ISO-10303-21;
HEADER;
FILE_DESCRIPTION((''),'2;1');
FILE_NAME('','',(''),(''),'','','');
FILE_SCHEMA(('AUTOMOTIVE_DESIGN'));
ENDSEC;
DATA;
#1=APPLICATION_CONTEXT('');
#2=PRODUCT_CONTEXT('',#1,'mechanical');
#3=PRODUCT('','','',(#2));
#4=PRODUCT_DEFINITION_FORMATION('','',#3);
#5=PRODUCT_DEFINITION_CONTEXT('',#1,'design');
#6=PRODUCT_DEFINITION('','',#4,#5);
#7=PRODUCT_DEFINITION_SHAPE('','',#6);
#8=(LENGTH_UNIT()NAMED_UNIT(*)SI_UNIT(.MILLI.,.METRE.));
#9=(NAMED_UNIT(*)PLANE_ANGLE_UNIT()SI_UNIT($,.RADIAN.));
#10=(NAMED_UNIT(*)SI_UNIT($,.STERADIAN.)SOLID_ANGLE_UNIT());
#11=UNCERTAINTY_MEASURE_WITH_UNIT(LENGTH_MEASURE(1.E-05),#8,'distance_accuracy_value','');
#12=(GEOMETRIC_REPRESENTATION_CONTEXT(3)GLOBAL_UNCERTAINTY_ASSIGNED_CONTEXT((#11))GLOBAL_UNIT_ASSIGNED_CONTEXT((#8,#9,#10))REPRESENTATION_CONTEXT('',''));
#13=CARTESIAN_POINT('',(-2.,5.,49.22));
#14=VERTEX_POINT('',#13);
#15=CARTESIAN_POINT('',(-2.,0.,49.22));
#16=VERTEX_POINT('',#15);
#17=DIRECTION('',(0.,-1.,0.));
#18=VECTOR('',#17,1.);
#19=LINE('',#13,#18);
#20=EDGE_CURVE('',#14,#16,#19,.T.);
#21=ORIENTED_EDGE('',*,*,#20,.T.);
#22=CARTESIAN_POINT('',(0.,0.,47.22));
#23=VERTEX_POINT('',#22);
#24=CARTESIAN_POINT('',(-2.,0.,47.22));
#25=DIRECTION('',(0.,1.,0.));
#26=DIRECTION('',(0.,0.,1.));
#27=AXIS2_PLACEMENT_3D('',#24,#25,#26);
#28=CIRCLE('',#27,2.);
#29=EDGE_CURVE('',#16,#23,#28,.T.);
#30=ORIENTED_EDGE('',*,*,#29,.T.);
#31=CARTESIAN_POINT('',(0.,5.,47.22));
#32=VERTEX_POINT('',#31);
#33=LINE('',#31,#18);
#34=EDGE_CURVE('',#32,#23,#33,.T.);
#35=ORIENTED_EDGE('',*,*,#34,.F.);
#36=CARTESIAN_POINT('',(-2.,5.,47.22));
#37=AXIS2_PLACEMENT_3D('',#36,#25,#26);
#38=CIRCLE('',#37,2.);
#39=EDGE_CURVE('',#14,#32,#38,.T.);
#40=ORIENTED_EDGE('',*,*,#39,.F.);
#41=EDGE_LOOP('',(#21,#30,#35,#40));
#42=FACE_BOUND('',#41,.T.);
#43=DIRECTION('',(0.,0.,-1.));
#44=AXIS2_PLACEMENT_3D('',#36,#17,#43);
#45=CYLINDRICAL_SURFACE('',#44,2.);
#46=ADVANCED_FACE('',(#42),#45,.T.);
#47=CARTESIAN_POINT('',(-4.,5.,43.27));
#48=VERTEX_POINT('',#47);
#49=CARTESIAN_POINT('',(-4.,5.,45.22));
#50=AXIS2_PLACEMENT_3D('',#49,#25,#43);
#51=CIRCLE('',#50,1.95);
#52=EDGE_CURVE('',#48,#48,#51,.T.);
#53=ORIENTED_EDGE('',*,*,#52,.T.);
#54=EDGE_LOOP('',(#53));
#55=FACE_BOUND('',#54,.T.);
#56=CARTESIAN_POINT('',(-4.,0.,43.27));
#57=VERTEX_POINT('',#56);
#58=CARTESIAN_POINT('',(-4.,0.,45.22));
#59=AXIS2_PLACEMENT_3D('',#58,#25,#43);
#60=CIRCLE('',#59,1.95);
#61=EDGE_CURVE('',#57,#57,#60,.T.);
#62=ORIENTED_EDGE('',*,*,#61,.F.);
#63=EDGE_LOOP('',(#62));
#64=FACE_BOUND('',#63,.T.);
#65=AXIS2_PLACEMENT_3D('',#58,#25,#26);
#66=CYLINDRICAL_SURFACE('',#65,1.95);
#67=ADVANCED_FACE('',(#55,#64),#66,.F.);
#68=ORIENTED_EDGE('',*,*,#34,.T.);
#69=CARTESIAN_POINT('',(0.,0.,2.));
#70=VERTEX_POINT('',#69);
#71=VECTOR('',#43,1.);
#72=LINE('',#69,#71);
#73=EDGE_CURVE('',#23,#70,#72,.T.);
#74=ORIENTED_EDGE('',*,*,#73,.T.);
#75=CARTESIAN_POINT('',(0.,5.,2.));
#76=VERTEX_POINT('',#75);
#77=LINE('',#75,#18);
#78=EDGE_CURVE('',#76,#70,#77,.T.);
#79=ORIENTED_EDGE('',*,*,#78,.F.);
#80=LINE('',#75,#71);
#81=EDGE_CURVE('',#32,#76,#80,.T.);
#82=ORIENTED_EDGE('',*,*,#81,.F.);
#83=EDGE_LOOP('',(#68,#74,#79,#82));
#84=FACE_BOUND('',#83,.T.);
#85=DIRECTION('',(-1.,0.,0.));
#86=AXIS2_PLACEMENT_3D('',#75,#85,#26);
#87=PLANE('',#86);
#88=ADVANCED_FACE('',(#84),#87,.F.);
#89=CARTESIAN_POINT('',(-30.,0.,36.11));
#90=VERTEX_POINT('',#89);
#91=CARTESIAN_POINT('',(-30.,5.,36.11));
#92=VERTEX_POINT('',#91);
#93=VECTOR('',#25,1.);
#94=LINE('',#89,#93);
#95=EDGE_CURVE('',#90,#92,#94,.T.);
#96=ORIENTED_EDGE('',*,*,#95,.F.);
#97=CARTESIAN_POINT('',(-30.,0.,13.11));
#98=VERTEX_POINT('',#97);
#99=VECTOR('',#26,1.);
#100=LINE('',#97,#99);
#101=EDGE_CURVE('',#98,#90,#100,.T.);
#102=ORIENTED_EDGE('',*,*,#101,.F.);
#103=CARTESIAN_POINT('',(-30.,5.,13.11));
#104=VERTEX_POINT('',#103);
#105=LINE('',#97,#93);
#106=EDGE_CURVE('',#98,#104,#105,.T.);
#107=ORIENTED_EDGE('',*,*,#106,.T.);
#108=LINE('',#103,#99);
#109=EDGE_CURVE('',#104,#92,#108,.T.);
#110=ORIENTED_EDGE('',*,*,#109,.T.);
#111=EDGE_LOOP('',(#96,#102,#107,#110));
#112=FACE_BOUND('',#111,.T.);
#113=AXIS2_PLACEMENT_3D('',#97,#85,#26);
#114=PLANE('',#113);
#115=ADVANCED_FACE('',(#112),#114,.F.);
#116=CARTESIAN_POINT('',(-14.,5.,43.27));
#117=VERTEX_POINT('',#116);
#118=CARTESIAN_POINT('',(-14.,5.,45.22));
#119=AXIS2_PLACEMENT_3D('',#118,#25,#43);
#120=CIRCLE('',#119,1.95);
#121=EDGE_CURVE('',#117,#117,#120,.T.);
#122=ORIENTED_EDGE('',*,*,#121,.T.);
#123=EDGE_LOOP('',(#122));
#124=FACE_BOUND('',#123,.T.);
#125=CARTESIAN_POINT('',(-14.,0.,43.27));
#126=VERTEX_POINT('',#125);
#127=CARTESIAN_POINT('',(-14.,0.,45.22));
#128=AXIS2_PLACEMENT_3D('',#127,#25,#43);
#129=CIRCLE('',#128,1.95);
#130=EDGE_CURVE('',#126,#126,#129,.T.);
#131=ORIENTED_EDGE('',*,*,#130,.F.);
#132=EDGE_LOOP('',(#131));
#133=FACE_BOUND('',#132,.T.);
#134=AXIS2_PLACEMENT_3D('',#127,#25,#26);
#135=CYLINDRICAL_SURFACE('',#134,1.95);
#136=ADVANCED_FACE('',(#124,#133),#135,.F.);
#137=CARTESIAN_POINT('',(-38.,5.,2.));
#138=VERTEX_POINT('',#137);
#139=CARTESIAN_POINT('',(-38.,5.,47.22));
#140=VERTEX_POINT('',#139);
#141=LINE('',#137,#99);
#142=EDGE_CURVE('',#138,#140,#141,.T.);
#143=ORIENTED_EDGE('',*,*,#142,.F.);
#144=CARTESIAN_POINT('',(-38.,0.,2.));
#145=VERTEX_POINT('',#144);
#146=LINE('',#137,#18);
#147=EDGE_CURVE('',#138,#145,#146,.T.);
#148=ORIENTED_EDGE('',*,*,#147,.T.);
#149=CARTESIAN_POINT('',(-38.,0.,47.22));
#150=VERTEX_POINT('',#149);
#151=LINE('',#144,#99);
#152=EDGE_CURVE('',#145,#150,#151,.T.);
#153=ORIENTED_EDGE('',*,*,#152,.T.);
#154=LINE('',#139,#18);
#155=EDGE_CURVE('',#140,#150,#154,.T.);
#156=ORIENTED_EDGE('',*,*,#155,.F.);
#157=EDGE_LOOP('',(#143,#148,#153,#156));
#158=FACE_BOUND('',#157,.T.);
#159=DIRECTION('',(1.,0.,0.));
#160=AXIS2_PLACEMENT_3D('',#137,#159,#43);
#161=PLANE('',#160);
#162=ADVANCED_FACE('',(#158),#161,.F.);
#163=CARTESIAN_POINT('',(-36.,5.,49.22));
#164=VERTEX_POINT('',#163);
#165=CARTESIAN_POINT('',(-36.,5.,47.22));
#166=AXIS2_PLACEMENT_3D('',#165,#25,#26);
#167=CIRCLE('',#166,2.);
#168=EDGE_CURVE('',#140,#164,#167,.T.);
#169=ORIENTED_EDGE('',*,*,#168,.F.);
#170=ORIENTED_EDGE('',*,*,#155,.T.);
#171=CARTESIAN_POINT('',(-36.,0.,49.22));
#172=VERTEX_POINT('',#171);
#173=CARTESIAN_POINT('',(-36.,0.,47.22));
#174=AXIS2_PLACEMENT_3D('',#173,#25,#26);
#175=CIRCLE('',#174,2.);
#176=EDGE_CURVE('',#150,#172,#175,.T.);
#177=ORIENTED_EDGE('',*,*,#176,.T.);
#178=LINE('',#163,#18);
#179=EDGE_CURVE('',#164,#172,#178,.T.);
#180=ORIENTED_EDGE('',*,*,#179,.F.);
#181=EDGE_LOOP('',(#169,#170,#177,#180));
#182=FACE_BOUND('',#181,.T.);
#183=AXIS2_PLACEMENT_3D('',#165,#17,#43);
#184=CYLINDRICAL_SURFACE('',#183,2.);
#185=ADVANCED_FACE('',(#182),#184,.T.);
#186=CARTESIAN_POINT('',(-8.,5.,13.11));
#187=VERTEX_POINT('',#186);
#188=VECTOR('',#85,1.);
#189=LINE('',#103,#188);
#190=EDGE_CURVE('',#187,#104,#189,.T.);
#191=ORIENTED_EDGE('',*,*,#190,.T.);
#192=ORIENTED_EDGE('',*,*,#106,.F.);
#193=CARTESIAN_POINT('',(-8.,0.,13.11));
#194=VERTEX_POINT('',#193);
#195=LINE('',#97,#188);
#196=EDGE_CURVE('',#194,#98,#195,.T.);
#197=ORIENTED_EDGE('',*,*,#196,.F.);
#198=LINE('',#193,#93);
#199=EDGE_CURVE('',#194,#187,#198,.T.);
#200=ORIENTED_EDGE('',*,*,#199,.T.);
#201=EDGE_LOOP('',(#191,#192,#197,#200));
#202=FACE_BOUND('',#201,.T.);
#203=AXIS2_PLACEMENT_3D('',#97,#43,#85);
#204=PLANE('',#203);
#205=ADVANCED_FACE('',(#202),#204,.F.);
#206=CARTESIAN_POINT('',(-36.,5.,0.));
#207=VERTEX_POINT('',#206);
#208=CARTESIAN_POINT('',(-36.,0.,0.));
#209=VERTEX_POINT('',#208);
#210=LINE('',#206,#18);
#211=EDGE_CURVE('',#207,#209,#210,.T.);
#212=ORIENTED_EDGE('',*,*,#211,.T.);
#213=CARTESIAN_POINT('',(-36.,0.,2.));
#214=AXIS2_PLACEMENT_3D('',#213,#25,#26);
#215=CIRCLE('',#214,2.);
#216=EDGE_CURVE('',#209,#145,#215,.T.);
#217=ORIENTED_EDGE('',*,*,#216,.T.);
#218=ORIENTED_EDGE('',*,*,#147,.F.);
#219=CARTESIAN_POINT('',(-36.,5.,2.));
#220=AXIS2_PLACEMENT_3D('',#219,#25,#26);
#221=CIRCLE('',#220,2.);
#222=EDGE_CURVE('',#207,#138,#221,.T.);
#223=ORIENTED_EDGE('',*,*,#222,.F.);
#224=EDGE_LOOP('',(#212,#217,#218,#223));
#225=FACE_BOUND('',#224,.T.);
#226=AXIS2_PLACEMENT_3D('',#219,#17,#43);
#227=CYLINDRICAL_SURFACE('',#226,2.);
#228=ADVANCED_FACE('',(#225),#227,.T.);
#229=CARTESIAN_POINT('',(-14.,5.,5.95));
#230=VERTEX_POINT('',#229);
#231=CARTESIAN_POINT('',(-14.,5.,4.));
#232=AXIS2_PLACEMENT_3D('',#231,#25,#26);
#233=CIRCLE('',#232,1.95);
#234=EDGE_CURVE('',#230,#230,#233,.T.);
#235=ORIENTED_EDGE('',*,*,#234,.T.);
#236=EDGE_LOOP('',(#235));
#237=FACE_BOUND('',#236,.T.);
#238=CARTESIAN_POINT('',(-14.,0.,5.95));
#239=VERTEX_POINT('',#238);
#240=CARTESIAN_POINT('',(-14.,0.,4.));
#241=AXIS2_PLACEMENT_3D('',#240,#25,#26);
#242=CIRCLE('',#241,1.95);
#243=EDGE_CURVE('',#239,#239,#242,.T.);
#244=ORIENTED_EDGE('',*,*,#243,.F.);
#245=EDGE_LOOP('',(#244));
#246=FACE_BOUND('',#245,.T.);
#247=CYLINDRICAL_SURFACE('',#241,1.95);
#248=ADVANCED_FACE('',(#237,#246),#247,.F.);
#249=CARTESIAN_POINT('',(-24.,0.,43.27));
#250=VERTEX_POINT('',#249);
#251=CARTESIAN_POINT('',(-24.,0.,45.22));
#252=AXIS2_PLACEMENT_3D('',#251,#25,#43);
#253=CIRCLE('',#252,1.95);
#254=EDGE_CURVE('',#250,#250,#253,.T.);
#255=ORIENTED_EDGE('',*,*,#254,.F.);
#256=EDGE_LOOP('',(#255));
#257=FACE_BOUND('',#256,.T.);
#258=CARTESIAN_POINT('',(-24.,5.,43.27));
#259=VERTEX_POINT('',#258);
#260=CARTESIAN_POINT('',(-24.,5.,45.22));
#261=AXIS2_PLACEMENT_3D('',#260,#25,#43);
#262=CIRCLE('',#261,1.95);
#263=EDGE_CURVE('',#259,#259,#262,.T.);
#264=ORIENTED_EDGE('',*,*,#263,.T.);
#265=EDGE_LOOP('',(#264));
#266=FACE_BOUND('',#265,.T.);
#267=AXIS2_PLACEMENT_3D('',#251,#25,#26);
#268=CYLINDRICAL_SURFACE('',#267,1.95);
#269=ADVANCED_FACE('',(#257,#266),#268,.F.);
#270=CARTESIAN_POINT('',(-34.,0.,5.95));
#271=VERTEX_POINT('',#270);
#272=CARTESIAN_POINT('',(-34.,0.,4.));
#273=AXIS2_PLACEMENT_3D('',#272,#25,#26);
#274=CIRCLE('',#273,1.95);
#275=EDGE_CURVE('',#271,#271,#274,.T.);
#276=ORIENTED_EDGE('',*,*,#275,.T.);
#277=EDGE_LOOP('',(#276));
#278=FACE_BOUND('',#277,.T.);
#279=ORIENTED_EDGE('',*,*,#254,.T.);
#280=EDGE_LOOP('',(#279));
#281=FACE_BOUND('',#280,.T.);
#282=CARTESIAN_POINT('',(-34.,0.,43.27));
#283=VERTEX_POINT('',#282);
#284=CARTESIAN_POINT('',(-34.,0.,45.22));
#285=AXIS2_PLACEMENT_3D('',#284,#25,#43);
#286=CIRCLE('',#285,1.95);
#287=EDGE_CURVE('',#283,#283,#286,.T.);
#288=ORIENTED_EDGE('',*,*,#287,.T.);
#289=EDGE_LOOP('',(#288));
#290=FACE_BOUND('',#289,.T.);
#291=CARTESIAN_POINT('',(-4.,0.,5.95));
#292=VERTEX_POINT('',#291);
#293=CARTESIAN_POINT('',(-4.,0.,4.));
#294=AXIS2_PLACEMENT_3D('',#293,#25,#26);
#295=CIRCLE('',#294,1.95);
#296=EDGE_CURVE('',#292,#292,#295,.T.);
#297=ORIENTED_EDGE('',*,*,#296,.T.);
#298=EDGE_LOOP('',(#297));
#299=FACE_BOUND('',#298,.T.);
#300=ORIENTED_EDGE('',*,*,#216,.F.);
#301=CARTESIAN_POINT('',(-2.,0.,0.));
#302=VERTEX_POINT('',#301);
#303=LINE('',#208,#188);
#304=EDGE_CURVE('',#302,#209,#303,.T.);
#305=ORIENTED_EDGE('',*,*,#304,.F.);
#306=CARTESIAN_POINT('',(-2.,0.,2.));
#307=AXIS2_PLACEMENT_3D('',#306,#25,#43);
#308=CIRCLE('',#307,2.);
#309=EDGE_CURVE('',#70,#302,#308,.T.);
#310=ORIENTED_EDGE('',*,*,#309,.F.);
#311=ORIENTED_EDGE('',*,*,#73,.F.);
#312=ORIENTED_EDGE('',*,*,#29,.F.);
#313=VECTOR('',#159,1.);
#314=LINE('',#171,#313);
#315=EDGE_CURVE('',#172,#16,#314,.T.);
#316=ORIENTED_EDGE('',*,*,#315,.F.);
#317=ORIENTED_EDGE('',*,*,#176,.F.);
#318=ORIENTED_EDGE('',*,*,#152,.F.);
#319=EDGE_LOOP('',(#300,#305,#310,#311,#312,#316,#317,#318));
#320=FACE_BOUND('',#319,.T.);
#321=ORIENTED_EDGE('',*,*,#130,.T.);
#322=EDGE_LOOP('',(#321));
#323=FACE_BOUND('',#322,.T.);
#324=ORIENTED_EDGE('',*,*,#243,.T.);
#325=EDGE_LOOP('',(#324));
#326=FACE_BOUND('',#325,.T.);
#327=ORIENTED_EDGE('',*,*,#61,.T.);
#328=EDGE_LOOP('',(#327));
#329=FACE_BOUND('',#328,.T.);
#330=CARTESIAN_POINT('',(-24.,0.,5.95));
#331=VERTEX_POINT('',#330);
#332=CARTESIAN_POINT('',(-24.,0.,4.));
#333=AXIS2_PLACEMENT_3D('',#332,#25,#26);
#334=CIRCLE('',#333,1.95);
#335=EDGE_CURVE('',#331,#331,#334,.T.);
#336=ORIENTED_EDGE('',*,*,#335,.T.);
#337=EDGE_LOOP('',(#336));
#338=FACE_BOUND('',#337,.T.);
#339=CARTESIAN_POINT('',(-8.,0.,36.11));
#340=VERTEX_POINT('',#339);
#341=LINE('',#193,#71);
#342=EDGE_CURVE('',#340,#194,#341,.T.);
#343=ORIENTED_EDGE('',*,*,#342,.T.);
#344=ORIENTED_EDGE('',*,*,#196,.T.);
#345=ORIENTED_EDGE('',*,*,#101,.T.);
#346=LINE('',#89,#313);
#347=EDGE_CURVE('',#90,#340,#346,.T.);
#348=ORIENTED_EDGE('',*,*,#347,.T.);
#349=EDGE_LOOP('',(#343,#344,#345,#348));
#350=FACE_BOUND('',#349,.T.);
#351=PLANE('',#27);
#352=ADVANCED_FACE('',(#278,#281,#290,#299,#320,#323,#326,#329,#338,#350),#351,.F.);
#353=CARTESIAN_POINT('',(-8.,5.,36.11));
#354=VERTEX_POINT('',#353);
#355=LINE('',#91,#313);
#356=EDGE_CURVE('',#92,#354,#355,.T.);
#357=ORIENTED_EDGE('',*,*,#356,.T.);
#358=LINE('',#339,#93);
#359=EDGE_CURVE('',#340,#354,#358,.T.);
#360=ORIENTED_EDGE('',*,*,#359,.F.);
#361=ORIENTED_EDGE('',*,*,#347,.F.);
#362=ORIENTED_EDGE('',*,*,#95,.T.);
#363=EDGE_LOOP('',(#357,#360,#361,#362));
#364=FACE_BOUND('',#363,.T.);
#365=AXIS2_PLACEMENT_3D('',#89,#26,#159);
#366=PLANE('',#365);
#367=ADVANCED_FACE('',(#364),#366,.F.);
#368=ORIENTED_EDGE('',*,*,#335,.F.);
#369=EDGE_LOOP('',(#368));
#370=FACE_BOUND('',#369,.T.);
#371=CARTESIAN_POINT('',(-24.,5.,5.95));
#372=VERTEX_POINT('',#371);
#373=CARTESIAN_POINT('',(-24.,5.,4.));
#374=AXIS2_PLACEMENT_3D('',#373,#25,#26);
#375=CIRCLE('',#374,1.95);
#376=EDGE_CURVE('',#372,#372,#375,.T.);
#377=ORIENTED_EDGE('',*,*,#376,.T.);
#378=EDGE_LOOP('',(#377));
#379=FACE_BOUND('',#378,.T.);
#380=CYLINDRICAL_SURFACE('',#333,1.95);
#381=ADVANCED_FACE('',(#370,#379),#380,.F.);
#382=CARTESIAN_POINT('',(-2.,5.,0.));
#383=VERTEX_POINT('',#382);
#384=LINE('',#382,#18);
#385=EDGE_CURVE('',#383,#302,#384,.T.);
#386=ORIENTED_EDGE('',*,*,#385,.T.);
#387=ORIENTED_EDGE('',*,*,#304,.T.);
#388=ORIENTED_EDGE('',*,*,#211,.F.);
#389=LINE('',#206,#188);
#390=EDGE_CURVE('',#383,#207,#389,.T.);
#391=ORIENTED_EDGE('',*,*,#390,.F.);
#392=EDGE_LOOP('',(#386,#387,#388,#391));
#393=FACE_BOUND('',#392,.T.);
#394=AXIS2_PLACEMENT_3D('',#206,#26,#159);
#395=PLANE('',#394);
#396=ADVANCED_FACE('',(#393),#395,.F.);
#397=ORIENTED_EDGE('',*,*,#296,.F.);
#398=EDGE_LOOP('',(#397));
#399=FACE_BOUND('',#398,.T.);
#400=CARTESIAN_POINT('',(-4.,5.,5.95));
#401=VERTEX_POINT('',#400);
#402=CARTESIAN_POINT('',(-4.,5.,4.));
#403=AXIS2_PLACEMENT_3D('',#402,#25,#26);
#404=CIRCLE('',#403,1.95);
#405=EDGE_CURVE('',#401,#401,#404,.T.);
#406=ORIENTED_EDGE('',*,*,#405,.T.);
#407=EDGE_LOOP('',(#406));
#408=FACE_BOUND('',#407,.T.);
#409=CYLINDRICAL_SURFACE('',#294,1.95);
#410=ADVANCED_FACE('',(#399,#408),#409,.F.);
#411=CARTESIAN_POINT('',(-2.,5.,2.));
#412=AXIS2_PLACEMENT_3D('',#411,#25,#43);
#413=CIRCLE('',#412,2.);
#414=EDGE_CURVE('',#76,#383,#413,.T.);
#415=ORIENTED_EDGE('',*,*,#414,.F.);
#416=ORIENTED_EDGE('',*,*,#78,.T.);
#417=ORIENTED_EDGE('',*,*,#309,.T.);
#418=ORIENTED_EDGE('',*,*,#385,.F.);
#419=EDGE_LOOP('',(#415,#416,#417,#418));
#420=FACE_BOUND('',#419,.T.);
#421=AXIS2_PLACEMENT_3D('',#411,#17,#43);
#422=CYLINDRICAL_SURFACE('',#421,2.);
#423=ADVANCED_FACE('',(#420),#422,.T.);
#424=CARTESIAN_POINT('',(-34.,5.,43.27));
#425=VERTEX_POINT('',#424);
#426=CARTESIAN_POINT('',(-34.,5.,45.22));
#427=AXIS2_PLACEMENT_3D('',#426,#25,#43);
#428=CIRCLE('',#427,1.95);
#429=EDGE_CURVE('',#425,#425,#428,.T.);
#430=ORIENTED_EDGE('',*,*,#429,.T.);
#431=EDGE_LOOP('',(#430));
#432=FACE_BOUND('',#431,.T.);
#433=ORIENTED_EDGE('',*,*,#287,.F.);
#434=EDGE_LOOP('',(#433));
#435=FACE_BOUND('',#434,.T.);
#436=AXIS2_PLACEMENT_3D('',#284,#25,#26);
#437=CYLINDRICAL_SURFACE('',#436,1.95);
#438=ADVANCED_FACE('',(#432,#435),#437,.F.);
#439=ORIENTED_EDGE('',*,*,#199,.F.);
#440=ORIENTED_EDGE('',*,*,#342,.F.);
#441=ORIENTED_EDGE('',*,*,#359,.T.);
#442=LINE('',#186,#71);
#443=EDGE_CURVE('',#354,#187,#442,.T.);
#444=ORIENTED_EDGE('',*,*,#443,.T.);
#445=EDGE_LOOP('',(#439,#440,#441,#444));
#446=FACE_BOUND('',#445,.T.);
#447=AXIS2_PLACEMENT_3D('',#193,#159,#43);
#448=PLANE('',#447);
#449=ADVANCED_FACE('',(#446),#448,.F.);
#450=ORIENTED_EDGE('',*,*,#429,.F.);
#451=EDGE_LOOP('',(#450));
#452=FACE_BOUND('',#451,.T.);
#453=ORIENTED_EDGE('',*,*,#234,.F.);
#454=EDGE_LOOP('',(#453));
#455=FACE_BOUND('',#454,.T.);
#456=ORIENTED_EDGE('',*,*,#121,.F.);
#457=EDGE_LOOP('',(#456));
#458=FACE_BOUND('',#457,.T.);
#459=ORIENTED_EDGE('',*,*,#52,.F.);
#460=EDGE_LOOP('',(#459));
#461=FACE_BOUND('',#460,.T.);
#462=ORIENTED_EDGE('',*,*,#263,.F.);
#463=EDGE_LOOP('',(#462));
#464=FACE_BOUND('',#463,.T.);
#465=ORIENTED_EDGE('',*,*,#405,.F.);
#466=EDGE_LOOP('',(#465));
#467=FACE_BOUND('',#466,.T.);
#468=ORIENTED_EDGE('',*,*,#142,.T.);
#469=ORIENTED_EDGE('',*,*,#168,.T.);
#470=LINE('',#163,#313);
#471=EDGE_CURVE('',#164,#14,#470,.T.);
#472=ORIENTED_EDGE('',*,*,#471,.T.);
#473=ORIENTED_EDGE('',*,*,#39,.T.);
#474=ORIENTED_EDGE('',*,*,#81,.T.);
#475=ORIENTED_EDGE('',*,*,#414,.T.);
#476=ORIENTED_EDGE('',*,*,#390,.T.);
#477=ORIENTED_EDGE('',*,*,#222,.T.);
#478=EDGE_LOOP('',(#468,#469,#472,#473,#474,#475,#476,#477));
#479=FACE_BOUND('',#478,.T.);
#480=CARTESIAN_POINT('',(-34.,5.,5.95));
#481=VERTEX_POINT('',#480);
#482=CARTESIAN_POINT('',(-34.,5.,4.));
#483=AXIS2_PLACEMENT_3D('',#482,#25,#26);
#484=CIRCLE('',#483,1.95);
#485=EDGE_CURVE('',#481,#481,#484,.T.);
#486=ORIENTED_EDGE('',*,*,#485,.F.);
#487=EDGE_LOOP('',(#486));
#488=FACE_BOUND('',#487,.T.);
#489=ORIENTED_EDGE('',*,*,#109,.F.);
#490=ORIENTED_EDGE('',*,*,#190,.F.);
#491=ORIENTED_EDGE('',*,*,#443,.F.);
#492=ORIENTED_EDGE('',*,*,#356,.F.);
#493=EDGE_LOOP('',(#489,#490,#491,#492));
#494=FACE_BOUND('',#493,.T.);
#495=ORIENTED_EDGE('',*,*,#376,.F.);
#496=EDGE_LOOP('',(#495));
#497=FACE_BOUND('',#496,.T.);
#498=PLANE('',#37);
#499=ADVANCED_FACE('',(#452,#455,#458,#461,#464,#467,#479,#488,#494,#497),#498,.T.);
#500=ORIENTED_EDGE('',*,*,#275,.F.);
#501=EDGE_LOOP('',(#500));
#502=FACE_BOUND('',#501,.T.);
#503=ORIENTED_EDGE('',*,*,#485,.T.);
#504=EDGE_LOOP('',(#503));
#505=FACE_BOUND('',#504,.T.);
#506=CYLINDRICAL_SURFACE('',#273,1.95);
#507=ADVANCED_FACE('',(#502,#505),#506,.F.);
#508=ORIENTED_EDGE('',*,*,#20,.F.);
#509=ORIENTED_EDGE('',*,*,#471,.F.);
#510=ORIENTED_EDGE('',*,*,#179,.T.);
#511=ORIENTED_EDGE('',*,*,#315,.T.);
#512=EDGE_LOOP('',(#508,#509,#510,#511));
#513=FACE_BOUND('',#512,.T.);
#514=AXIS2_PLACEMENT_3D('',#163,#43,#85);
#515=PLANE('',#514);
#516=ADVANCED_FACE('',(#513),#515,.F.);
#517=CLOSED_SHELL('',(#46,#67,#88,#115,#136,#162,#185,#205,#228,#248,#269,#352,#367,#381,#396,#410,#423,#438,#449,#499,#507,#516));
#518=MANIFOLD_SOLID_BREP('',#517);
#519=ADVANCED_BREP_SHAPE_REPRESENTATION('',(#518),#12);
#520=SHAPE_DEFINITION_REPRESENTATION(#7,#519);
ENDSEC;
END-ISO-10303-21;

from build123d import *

# Parameters (mm, degrees)
BOSS_EXTRUDE1_DEPTH = 5
SKETCH2_R           = 1.95
SKETCH2_W           = 22
SKETCH2_H           = 23
CUT_EXTRUDE1_DEPTH  = 6


with BuildPart() as part:
    # Sketch1 → Boss-Extrude1 (new body)
    with BuildSketch(Plane(origin=(0, 0, 0), x_dir=(1, 0, 0), z_dir=(0, 1, 0))):
        with BuildLine():
            Line((-36, 0), (-2, 0))
            ThreePointArc((-2, 0), (-0.585786438, -0.585786438), (0, -2))
            Line((0, -2), (0, -47.22))
            ThreePointArc((0, -47.22), (-0.585786438, -48.634213562), (-2, -49.22))
            Line((-2, -49.22), (-36, -49.22))
            ThreePointArc((-36, -49.22), (-37.414213562, -48.634213562), (-38, -47.22))
            Line((-38, -47.22), (-38, -2))
            ThreePointArc((-38, -2), (-37.414213562, -0.585786438), (-36, 0))
        make_face()
    extrude(amount=BOSS_EXTRUDE1_DEPTH)

    # Sketch2 → Cut-Extrude1 (cut, through all)
    with BuildSketch(Plane(origin=(0, 5, 0), x_dir=(1, 0, 0), z_dir=(0, 1, 0))):
        with Locations((-4, -4)):
            Circle(SKETCH2_R)
        with Locations((-14, -4)):
            Circle(SKETCH2_R)
        with Locations((-24, -4)):
            Circle(SKETCH2_R)
        with Locations((-54, -4)):
            Circle(SKETCH2_R)
        with Locations((-34, -4)):
            Circle(SKETCH2_R)
        with Locations((-44, -4)):
            Circle(SKETCH2_R)
        with Locations((-44, -45.22)):
            Circle(SKETCH2_R)
        with Locations((-34, -45.22)):
            Circle(SKETCH2_R)
        with Locations((-54, -45.22)):
            Circle(SKETCH2_R)
        with Locations((-24, -45.22)):
            Circle(SKETCH2_R)
        with Locations((-14, -45.22)):
            Circle(SKETCH2_R)
        with Locations((-4, -45.22)):
            Circle(SKETCH2_R)
        with Locations((-19, -24.61)):
            Rectangle(SKETCH2_W, SKETCH2_H)
    extrude(amount=-CUT_EXTRUDE1_DEPTH, mode=Mode.SUBTRACT)


solid = part.part
